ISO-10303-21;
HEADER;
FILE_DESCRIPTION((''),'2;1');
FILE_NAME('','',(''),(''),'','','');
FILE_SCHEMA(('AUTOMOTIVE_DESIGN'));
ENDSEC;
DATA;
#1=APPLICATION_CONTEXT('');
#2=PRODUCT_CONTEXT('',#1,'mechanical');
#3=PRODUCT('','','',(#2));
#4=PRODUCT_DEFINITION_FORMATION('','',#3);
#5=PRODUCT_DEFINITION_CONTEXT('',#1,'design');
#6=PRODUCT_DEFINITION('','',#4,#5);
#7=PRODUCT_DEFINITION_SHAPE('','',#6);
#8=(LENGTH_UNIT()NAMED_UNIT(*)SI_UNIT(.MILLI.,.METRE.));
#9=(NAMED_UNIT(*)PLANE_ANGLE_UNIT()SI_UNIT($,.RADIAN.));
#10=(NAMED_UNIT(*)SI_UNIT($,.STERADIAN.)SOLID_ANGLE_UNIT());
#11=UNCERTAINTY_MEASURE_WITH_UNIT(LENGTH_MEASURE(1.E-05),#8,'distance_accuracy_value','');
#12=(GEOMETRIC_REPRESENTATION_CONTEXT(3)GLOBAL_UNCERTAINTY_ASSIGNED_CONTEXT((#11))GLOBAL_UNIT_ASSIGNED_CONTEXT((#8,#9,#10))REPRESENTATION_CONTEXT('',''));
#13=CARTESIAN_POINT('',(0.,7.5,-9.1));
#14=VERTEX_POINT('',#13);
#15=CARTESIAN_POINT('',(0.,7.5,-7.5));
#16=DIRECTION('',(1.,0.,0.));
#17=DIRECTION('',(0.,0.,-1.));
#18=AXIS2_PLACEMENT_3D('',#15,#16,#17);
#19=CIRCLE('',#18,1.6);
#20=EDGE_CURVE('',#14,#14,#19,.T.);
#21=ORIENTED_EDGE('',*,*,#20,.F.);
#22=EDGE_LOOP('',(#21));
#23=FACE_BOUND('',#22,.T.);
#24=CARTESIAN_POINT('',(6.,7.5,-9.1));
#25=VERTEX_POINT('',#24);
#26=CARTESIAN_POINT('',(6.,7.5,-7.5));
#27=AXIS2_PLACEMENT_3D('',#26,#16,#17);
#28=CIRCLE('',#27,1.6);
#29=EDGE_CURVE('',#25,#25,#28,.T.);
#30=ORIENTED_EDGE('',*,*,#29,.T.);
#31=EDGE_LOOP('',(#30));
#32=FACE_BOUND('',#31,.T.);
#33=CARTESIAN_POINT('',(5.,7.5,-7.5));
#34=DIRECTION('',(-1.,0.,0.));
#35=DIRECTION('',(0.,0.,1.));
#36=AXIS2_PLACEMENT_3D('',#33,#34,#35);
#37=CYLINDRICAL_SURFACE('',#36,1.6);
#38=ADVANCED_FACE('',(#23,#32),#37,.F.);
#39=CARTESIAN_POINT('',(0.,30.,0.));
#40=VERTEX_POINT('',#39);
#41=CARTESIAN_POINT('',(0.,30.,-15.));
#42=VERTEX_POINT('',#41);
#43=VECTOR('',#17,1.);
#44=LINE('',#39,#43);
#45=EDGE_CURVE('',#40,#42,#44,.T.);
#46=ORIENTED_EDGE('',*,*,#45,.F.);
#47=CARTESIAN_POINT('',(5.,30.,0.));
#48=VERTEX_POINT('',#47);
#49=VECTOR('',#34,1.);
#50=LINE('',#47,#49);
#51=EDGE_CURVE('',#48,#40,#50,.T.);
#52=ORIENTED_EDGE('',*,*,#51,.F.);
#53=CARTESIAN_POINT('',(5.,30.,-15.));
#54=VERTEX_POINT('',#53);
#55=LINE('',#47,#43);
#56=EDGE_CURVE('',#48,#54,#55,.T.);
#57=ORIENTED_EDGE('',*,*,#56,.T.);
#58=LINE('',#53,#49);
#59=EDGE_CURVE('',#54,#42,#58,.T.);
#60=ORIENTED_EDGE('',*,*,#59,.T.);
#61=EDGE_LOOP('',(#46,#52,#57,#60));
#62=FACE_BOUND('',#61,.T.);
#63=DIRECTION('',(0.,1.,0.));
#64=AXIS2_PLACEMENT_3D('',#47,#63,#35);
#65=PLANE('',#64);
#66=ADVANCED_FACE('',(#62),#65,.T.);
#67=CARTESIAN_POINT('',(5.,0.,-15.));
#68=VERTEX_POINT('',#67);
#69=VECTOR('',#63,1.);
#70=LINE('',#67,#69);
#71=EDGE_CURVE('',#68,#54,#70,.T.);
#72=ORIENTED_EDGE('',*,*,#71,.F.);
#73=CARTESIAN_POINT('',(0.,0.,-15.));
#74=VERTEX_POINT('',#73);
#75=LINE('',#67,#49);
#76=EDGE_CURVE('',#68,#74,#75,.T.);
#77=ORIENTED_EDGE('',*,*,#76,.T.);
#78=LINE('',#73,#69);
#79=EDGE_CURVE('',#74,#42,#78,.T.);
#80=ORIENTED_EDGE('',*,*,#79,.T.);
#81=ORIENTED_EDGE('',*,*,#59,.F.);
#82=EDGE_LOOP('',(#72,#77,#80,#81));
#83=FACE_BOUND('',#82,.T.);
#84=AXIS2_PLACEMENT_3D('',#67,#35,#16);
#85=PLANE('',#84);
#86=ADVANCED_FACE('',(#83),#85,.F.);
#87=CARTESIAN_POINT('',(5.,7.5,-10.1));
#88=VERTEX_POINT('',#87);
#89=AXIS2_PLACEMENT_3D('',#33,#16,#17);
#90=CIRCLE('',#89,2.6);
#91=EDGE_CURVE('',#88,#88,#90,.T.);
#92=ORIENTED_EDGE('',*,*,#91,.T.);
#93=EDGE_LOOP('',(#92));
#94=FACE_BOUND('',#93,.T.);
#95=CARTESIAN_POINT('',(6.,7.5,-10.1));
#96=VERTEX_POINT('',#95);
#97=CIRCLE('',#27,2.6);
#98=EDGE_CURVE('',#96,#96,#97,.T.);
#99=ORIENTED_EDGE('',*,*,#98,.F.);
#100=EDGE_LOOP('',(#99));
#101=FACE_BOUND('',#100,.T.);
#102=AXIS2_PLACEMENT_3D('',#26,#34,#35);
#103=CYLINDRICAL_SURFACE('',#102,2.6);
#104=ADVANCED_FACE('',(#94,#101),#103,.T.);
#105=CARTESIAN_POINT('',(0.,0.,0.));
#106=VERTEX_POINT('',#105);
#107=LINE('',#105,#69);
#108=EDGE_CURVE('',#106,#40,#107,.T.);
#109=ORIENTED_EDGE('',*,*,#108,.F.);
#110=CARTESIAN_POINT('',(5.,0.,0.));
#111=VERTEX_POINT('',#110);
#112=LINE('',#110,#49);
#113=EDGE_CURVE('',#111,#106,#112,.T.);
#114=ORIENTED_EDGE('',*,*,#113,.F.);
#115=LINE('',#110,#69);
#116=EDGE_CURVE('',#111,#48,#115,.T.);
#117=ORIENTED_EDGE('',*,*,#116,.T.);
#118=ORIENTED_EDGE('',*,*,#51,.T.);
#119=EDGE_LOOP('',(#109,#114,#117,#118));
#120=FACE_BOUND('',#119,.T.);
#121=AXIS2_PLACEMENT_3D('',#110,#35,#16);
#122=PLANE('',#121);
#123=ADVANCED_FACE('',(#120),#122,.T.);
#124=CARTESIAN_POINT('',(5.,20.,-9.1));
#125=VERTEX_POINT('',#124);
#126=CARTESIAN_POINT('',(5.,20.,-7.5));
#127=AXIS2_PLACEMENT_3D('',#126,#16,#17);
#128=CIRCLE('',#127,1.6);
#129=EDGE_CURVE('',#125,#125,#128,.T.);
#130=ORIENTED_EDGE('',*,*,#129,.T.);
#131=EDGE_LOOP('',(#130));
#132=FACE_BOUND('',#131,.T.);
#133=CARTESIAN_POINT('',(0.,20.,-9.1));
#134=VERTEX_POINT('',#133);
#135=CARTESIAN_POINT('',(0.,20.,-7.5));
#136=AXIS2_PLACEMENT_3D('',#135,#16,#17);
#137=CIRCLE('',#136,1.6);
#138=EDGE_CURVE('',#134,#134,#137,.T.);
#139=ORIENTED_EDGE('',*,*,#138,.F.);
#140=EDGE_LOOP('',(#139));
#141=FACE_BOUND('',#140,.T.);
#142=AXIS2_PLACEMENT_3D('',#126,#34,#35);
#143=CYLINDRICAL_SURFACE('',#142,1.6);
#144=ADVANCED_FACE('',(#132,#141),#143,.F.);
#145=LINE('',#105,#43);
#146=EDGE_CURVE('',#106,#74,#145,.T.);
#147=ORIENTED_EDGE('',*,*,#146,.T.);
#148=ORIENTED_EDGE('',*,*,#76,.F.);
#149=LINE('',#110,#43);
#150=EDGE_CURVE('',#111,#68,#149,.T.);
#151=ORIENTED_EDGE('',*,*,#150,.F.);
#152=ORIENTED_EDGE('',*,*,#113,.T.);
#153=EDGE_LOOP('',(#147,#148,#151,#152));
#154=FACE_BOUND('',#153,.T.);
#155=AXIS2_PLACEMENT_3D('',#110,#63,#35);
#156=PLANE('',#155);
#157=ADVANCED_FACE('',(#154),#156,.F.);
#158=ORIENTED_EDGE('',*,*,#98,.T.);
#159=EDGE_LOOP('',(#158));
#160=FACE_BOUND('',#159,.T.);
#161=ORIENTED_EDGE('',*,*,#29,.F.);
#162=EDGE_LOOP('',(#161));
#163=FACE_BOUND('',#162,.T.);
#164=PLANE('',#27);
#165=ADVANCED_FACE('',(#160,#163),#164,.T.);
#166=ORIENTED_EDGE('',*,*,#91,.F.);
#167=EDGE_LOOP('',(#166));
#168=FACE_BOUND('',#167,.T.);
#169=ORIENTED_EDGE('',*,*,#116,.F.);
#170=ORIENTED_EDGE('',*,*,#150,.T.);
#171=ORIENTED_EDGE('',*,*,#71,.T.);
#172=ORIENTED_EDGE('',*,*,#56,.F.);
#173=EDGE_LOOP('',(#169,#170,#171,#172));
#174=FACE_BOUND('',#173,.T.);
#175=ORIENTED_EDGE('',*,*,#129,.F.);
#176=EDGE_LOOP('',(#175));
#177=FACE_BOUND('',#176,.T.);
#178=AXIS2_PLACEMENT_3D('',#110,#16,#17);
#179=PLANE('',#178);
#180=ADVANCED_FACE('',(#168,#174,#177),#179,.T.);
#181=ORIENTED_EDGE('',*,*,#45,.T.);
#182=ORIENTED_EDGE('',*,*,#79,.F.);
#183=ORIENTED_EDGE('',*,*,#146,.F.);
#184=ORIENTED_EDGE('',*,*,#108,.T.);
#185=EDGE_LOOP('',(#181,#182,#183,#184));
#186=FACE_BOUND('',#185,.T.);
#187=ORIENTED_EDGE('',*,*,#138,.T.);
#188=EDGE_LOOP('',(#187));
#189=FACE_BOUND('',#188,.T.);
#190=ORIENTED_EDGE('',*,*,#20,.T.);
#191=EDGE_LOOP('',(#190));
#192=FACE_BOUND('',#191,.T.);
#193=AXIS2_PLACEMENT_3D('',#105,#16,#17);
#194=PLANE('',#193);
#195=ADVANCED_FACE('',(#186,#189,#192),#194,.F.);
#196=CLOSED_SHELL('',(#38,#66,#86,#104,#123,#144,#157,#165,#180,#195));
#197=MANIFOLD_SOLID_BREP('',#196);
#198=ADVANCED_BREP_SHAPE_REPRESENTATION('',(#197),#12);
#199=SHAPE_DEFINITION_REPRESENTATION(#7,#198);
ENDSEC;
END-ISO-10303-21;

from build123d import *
from build123d.topology import SkipClean

# Parameters (mm, degrees)
BOSS_EXTRUDE1_DEPTH = 5
SKETCH2_R           = 2.6
SKETCH2_R_2         = 1.6
EXTRUDE_THIN1_DEPTH = 1


with BuildPart() as part:
    # Sketch1 → Boss-Extrude1 (new body)
    with BuildSketch(Plane(origin=(0, 0, 0), x_dir=(0, 0, -1), z_dir=(1, 0, 0))):
        with BuildLine():
            Line((15, 30), (7.5, 30))
            Line((7.5, 30), (7.5, 21.6))
            ThreePointArc((7.5, 21.6), (8.63137085, 21.13137085), (9.1, 20))
            ThreePointArc((9.1, 20), (8.63137085, 18.86862915), (7.5, 18.4))
            Line((7.5, 18.4), (7.5, 9.1))
            ThreePointArc((7.5, 9.1), (8.63137085, 8.63137085), (9.1, 7.5))
            ThreePointArc((9.1, 7.5), (8.63137085, 6.36862915), (7.5, 5.9))
            Line((7.5, 5.9), (7.5, 0))
            Line((7.5, 0), (15, 0))
            Line((15, 0), (15, 30))
        make_face()
        with BuildLine():
            Line((7.5, 21.6), (7.5, 30))
            Line((7.5, 30), (0, 30))
            Line((0, 30), (0, 0))
            Line((0, 0), (7.5, 0))
            Line((7.5, 0), (7.5, 5.9))
            ThreePointArc((7.5, 5.9), (5.9, 7.5), (7.5, 9.1))
            Line((7.5, 9.1), (7.5, 18.4))
            ThreePointArc((7.5, 18.4), (5.9, 20), (7.5, 21.6))
        make_face()
    extrude(amount=BOSS_EXTRUDE1_DEPTH)

    # Sketch2 → Extrude-Thin1 (add)
    with SkipClean():  # the faces are left unmerged after this step: merging them gives an invalid solid
        with BuildSketch(Plane(origin=(5, 0, 0), x_dir=(0, 0, -1), z_dir=(1, 0, 0))):
            with Locations((7.5, 7.5)):
                Circle(SKETCH2_R)
            with Locations((7.5, 7.5)):
                Circle(SKETCH2_R_2, mode=Mode.SUBTRACT)
        extrude(amount=EXTRUDE_THIN1_DEPTH)


solid = part.part
